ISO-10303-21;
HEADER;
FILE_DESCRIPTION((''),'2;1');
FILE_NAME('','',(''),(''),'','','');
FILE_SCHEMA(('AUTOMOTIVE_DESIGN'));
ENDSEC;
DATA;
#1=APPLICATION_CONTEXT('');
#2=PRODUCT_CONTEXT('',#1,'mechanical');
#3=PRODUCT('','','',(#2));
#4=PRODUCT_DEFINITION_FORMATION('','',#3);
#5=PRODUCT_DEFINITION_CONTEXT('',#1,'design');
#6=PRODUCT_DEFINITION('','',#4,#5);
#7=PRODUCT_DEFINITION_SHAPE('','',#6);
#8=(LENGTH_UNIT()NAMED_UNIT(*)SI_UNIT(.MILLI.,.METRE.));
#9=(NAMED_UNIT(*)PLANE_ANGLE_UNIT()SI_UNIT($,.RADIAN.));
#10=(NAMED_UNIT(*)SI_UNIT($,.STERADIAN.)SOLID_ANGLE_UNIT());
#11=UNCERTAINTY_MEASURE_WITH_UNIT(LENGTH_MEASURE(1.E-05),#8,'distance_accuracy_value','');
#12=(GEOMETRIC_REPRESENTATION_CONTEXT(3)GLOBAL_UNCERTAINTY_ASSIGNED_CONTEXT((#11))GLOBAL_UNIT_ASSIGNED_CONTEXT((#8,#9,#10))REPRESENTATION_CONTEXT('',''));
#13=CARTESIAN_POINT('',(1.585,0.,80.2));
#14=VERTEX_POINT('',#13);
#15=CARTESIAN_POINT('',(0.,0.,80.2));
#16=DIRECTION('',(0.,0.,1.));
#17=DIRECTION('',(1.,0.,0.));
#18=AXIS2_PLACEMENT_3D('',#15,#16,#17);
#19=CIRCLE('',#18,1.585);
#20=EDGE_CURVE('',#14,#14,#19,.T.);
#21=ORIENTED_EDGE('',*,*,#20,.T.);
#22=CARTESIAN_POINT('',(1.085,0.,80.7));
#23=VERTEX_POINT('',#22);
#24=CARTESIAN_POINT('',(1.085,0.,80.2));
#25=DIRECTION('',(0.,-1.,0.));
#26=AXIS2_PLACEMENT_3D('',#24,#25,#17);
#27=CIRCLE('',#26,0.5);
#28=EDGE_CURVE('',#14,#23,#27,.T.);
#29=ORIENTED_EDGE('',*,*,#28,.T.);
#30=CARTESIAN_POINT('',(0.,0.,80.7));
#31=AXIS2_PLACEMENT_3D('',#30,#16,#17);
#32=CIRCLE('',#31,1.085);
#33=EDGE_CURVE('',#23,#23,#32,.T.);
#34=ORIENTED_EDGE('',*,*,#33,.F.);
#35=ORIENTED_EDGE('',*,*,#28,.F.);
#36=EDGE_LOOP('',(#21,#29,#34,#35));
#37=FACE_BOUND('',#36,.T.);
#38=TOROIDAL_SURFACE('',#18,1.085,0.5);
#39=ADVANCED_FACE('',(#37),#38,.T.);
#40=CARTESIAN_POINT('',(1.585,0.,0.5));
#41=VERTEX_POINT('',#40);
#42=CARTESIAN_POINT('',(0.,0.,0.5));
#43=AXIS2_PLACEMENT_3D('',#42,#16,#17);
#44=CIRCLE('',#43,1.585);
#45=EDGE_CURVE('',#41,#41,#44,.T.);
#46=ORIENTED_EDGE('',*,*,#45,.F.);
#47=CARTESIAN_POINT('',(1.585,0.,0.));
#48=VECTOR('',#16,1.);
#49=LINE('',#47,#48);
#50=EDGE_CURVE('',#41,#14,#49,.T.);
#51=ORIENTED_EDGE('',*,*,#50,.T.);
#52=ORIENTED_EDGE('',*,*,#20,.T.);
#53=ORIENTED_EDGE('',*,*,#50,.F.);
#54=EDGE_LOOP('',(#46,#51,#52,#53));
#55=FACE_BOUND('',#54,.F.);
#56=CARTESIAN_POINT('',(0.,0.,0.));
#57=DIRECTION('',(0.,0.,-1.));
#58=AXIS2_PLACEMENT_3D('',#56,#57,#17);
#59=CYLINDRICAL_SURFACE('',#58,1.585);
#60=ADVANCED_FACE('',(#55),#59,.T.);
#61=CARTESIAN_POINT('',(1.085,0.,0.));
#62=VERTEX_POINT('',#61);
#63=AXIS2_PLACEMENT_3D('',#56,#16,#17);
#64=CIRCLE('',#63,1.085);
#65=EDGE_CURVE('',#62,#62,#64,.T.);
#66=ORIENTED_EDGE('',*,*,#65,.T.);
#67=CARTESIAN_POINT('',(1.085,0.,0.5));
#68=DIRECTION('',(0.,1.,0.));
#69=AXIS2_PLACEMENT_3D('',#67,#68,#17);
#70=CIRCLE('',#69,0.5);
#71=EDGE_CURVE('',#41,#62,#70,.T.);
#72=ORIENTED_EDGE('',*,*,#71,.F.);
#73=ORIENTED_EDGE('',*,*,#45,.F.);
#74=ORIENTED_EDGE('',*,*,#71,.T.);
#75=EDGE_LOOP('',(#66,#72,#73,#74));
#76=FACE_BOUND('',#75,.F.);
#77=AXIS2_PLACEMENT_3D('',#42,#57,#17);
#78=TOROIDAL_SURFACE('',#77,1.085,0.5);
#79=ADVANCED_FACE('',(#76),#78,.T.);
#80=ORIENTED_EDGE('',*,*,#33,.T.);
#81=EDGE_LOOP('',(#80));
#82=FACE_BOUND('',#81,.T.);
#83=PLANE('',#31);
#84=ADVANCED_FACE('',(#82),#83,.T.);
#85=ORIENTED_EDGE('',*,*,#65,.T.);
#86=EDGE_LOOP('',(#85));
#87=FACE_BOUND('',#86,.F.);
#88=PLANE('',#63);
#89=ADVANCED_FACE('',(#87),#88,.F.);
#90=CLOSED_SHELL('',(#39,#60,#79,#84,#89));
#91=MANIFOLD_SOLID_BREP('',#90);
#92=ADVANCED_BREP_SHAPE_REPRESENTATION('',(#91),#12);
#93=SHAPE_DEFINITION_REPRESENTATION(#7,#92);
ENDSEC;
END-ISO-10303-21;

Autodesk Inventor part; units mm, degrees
ref_plane "YZ Plane" through (0, 0, 0) normal (1, 0, 0) x (0, 1, 0)
ref_plane "XZ Plane" through (0, 0, 0) normal (0, 1, 0) x (-1, 0, 0)
ref_plane "XY Plane" through (0, 0, 0) normal (0, 0, 1) x (1, 0, 0)
sketch "スケッチ1" plane through (0, 0, 0) normal (0, 0, 1) x (1, 0, 0)
  circle A0 centre (0, 0) radius 1.585
  dimension "d0" = 3.17
extrude "押し出し1" add sketch "スケッチ1" along normal blind 80.7
fillet "フィレット1" radius 0.5 2 edges at (-1.585, 0, 0) (-1.585, 0, 80.7)
properties part number "555_Shaft" material "鉄、鋳鉄"
